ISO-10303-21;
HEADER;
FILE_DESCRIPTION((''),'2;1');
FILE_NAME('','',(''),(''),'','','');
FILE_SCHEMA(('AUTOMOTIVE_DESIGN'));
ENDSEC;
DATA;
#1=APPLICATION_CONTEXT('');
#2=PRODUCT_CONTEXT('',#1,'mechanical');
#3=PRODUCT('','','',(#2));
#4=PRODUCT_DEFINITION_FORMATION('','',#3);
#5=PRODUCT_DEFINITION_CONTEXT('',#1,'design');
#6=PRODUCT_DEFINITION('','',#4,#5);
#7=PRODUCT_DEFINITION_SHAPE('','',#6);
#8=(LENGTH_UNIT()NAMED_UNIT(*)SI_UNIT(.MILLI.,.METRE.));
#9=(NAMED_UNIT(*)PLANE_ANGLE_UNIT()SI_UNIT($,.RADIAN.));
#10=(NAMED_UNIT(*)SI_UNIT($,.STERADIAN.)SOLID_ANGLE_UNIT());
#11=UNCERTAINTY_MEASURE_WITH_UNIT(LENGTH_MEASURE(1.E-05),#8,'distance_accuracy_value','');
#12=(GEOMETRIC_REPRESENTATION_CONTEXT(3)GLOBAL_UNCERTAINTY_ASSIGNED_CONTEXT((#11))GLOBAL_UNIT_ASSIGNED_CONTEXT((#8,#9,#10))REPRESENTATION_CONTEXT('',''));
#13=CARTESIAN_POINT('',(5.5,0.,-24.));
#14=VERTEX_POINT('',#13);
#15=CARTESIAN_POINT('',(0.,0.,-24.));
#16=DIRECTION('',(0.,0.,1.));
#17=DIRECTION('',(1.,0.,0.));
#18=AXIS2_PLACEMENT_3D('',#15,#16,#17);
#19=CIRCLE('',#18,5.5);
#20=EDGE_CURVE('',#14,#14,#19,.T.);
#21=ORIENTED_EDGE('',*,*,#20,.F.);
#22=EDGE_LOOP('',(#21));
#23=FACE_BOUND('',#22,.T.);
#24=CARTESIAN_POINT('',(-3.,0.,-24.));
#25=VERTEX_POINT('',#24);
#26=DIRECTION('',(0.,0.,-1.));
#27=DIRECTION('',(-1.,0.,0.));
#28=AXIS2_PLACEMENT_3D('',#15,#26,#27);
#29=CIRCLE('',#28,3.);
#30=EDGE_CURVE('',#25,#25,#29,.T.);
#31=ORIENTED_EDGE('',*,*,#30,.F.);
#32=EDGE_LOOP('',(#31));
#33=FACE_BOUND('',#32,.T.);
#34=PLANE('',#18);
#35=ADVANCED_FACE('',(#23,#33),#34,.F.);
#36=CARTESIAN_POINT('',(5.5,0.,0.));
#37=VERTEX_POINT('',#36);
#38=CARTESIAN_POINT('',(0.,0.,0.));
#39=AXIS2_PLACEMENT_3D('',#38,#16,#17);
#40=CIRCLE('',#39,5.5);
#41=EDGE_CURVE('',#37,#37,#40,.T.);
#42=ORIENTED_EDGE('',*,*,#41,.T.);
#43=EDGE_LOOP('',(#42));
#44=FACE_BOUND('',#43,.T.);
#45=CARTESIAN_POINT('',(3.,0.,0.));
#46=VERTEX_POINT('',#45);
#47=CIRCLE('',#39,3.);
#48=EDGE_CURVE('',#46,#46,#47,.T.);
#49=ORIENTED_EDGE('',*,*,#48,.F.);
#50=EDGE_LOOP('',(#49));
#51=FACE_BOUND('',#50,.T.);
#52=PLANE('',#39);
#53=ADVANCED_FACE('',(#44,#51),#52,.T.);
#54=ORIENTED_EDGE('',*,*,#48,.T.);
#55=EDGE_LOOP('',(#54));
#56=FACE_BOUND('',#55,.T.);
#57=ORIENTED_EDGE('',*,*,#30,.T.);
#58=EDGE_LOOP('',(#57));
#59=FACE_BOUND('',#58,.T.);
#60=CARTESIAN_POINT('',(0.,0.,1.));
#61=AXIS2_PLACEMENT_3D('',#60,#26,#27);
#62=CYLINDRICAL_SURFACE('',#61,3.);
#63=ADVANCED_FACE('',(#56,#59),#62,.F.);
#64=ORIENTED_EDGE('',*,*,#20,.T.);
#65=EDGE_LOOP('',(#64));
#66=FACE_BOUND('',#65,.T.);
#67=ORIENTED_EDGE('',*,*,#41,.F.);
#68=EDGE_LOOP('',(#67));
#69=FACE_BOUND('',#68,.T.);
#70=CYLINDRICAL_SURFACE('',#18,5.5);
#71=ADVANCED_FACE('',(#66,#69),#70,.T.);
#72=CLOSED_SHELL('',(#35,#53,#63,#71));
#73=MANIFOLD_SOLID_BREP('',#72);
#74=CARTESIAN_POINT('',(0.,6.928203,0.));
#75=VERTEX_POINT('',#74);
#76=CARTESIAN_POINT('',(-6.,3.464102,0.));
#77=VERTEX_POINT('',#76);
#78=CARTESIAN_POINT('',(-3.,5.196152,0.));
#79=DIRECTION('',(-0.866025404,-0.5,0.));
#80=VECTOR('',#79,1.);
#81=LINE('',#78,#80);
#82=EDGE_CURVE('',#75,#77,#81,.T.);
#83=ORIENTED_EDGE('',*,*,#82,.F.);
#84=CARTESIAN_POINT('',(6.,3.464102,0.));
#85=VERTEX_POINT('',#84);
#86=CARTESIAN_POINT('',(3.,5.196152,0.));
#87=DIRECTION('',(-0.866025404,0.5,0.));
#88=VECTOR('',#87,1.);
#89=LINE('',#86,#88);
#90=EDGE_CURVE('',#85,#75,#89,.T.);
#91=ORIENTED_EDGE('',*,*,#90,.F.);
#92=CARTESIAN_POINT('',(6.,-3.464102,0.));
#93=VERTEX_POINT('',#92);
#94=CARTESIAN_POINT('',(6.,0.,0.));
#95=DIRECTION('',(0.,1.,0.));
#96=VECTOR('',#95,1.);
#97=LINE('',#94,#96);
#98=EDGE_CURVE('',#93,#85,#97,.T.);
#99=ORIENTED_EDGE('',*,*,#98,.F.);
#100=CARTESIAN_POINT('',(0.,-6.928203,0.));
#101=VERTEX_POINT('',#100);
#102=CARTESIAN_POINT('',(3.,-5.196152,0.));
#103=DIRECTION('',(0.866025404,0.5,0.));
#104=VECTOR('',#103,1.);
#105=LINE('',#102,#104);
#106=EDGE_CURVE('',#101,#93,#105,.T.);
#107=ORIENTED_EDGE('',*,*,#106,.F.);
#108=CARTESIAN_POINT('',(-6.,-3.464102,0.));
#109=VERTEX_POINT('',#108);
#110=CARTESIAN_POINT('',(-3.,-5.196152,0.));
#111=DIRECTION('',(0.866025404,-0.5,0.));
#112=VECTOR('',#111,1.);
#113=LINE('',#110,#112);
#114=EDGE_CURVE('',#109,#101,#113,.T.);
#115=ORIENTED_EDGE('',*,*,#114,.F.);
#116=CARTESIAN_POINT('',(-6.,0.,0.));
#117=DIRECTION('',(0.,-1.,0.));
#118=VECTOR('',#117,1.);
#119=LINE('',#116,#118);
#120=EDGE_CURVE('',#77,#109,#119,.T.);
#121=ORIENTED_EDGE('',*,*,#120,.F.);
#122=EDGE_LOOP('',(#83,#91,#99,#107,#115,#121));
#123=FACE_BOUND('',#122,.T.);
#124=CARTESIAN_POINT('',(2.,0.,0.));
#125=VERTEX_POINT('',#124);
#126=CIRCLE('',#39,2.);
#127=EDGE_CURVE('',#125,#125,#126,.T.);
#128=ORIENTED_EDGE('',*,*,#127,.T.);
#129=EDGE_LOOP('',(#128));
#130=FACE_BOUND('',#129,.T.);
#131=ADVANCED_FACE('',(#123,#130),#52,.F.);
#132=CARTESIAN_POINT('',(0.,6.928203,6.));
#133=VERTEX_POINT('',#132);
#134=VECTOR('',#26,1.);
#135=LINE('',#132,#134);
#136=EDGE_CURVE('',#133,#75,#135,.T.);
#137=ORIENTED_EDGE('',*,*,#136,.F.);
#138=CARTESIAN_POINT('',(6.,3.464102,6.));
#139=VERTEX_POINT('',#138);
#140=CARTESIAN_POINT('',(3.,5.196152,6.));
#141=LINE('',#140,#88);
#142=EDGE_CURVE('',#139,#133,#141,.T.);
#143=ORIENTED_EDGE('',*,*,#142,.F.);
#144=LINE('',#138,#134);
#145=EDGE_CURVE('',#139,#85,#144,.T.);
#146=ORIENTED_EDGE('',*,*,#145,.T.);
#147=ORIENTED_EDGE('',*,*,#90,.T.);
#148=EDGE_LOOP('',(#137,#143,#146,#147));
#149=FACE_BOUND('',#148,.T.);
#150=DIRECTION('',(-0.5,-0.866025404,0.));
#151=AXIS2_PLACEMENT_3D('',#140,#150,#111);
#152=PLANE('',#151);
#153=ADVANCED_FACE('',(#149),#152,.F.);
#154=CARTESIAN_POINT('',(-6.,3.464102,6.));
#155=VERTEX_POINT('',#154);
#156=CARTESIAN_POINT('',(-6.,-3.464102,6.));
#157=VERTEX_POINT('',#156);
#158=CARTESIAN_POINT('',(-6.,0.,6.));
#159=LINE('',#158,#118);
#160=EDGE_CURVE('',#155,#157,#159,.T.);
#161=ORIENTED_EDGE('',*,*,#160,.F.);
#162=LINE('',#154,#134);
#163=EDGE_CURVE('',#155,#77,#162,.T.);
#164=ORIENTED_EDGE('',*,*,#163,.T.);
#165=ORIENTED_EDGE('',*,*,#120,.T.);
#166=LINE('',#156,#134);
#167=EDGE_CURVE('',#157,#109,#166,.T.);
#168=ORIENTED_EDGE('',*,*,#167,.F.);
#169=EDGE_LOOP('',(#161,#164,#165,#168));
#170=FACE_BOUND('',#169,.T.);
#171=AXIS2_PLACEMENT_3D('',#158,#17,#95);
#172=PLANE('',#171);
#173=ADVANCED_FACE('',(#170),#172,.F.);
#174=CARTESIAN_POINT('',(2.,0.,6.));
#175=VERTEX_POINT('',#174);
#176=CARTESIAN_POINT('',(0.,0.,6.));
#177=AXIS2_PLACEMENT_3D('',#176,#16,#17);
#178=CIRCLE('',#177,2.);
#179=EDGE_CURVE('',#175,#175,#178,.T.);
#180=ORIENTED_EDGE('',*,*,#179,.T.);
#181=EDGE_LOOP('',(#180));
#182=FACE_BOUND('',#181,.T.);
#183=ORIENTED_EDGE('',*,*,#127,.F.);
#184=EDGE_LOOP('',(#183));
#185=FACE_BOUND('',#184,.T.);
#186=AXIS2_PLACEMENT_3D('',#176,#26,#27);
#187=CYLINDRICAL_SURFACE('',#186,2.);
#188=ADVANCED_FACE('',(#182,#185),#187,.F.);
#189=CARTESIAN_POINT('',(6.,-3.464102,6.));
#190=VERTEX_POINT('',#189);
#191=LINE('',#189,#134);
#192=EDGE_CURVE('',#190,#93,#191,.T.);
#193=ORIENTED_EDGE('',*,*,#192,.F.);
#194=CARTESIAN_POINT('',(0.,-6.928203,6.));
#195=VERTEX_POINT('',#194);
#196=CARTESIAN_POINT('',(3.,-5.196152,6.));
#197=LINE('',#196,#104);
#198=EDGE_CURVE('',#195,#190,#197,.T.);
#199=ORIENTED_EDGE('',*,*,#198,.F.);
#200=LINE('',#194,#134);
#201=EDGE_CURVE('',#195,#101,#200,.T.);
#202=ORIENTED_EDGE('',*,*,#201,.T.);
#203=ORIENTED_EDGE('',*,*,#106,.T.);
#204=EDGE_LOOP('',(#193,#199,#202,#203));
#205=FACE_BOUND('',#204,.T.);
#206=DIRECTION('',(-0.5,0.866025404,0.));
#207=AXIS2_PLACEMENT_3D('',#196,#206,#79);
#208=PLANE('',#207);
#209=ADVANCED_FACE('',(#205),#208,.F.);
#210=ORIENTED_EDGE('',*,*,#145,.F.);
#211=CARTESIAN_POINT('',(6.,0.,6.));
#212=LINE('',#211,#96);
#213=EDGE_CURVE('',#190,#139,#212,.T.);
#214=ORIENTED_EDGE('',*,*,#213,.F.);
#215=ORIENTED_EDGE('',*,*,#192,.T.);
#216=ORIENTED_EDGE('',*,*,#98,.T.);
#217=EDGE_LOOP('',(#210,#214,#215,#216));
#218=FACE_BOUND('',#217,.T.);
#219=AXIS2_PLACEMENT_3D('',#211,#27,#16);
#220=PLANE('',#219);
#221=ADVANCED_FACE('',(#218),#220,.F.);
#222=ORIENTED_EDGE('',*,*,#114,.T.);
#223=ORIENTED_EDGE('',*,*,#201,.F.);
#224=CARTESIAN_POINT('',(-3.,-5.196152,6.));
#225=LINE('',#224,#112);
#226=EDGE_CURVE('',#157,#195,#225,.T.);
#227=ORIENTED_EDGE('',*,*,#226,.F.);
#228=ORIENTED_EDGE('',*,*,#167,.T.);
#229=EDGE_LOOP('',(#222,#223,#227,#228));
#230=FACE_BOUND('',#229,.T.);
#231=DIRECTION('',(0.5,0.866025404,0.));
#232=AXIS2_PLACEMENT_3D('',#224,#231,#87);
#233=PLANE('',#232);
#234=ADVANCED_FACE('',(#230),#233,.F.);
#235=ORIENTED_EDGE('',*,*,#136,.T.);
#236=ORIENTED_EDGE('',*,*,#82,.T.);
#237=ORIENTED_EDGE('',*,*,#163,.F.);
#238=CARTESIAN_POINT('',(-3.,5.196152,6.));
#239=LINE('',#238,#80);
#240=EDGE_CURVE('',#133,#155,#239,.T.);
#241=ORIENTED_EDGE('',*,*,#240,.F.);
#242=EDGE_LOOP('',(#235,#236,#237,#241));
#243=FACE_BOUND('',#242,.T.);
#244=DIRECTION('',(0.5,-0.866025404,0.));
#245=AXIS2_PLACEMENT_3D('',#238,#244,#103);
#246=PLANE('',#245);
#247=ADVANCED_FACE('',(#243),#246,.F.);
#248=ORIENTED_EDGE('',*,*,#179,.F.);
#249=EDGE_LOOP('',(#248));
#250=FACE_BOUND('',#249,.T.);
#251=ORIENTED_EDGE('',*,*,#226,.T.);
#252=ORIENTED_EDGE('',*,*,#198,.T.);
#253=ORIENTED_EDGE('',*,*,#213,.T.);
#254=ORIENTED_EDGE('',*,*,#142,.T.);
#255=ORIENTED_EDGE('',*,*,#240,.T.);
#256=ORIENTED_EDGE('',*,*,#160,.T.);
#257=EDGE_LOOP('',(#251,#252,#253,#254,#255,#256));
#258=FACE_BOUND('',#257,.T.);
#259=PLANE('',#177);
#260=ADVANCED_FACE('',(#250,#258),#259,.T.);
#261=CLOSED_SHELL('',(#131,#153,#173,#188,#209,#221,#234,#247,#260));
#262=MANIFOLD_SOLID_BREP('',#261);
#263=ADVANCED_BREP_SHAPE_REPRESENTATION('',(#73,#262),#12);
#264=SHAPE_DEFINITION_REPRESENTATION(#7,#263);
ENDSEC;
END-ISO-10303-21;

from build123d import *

# Parameters (mm, degrees)
SKETCH1_R           = 2
BOSS_EXTRUDE1_DEPTH = 6
SKETCH1_2_R         = 5.5
SKETCH1_2_R_2       = 2
BOSS_EXTRUDE3_DEPTH = 24
SKETCH2_R           = 3
CUT_EXTRUDE1_DEPTH  = 25


with BuildPart() as part:
    # Sketch1 → Boss-Extrude1 (new body)
    with BuildSketch(Plane.XY):
        Polygon((6, -3.464101615), (6, 3.464101615), (0, 6.92820323), (-6, 3.464101615), (-6, -3.464101615), (0, -6.92820323), align=None)
        Circle(SKETCH1_R, mode=Mode.SUBTRACT)
    extrude(amount=BOSS_EXTRUDE1_DEPTH)


with BuildPart() as body_2:
    # Sketch1<2> → Boss-Extrude3 (new body)
    with BuildSketch(Plane.XY):
        Circle(SKETCH1_2_R)
        Circle(SKETCH1_2_R_2, mode=Mode.SUBTRACT)
    extrude(amount=-BOSS_EXTRUDE3_DEPTH)

    # Sketch2 → Cut-Extrude1 (cut)
    with BuildSketch(Plane(origin=(0, 0, -24), x_dir=(-1, 0, 0), z_dir=(0, 0, -1))):
        Circle(SKETCH2_R)
    extrude(amount=-CUT_EXTRUDE1_DEPTH, mode=Mode.SUBTRACT)


solid = Compound([part.part, body_2.part])
